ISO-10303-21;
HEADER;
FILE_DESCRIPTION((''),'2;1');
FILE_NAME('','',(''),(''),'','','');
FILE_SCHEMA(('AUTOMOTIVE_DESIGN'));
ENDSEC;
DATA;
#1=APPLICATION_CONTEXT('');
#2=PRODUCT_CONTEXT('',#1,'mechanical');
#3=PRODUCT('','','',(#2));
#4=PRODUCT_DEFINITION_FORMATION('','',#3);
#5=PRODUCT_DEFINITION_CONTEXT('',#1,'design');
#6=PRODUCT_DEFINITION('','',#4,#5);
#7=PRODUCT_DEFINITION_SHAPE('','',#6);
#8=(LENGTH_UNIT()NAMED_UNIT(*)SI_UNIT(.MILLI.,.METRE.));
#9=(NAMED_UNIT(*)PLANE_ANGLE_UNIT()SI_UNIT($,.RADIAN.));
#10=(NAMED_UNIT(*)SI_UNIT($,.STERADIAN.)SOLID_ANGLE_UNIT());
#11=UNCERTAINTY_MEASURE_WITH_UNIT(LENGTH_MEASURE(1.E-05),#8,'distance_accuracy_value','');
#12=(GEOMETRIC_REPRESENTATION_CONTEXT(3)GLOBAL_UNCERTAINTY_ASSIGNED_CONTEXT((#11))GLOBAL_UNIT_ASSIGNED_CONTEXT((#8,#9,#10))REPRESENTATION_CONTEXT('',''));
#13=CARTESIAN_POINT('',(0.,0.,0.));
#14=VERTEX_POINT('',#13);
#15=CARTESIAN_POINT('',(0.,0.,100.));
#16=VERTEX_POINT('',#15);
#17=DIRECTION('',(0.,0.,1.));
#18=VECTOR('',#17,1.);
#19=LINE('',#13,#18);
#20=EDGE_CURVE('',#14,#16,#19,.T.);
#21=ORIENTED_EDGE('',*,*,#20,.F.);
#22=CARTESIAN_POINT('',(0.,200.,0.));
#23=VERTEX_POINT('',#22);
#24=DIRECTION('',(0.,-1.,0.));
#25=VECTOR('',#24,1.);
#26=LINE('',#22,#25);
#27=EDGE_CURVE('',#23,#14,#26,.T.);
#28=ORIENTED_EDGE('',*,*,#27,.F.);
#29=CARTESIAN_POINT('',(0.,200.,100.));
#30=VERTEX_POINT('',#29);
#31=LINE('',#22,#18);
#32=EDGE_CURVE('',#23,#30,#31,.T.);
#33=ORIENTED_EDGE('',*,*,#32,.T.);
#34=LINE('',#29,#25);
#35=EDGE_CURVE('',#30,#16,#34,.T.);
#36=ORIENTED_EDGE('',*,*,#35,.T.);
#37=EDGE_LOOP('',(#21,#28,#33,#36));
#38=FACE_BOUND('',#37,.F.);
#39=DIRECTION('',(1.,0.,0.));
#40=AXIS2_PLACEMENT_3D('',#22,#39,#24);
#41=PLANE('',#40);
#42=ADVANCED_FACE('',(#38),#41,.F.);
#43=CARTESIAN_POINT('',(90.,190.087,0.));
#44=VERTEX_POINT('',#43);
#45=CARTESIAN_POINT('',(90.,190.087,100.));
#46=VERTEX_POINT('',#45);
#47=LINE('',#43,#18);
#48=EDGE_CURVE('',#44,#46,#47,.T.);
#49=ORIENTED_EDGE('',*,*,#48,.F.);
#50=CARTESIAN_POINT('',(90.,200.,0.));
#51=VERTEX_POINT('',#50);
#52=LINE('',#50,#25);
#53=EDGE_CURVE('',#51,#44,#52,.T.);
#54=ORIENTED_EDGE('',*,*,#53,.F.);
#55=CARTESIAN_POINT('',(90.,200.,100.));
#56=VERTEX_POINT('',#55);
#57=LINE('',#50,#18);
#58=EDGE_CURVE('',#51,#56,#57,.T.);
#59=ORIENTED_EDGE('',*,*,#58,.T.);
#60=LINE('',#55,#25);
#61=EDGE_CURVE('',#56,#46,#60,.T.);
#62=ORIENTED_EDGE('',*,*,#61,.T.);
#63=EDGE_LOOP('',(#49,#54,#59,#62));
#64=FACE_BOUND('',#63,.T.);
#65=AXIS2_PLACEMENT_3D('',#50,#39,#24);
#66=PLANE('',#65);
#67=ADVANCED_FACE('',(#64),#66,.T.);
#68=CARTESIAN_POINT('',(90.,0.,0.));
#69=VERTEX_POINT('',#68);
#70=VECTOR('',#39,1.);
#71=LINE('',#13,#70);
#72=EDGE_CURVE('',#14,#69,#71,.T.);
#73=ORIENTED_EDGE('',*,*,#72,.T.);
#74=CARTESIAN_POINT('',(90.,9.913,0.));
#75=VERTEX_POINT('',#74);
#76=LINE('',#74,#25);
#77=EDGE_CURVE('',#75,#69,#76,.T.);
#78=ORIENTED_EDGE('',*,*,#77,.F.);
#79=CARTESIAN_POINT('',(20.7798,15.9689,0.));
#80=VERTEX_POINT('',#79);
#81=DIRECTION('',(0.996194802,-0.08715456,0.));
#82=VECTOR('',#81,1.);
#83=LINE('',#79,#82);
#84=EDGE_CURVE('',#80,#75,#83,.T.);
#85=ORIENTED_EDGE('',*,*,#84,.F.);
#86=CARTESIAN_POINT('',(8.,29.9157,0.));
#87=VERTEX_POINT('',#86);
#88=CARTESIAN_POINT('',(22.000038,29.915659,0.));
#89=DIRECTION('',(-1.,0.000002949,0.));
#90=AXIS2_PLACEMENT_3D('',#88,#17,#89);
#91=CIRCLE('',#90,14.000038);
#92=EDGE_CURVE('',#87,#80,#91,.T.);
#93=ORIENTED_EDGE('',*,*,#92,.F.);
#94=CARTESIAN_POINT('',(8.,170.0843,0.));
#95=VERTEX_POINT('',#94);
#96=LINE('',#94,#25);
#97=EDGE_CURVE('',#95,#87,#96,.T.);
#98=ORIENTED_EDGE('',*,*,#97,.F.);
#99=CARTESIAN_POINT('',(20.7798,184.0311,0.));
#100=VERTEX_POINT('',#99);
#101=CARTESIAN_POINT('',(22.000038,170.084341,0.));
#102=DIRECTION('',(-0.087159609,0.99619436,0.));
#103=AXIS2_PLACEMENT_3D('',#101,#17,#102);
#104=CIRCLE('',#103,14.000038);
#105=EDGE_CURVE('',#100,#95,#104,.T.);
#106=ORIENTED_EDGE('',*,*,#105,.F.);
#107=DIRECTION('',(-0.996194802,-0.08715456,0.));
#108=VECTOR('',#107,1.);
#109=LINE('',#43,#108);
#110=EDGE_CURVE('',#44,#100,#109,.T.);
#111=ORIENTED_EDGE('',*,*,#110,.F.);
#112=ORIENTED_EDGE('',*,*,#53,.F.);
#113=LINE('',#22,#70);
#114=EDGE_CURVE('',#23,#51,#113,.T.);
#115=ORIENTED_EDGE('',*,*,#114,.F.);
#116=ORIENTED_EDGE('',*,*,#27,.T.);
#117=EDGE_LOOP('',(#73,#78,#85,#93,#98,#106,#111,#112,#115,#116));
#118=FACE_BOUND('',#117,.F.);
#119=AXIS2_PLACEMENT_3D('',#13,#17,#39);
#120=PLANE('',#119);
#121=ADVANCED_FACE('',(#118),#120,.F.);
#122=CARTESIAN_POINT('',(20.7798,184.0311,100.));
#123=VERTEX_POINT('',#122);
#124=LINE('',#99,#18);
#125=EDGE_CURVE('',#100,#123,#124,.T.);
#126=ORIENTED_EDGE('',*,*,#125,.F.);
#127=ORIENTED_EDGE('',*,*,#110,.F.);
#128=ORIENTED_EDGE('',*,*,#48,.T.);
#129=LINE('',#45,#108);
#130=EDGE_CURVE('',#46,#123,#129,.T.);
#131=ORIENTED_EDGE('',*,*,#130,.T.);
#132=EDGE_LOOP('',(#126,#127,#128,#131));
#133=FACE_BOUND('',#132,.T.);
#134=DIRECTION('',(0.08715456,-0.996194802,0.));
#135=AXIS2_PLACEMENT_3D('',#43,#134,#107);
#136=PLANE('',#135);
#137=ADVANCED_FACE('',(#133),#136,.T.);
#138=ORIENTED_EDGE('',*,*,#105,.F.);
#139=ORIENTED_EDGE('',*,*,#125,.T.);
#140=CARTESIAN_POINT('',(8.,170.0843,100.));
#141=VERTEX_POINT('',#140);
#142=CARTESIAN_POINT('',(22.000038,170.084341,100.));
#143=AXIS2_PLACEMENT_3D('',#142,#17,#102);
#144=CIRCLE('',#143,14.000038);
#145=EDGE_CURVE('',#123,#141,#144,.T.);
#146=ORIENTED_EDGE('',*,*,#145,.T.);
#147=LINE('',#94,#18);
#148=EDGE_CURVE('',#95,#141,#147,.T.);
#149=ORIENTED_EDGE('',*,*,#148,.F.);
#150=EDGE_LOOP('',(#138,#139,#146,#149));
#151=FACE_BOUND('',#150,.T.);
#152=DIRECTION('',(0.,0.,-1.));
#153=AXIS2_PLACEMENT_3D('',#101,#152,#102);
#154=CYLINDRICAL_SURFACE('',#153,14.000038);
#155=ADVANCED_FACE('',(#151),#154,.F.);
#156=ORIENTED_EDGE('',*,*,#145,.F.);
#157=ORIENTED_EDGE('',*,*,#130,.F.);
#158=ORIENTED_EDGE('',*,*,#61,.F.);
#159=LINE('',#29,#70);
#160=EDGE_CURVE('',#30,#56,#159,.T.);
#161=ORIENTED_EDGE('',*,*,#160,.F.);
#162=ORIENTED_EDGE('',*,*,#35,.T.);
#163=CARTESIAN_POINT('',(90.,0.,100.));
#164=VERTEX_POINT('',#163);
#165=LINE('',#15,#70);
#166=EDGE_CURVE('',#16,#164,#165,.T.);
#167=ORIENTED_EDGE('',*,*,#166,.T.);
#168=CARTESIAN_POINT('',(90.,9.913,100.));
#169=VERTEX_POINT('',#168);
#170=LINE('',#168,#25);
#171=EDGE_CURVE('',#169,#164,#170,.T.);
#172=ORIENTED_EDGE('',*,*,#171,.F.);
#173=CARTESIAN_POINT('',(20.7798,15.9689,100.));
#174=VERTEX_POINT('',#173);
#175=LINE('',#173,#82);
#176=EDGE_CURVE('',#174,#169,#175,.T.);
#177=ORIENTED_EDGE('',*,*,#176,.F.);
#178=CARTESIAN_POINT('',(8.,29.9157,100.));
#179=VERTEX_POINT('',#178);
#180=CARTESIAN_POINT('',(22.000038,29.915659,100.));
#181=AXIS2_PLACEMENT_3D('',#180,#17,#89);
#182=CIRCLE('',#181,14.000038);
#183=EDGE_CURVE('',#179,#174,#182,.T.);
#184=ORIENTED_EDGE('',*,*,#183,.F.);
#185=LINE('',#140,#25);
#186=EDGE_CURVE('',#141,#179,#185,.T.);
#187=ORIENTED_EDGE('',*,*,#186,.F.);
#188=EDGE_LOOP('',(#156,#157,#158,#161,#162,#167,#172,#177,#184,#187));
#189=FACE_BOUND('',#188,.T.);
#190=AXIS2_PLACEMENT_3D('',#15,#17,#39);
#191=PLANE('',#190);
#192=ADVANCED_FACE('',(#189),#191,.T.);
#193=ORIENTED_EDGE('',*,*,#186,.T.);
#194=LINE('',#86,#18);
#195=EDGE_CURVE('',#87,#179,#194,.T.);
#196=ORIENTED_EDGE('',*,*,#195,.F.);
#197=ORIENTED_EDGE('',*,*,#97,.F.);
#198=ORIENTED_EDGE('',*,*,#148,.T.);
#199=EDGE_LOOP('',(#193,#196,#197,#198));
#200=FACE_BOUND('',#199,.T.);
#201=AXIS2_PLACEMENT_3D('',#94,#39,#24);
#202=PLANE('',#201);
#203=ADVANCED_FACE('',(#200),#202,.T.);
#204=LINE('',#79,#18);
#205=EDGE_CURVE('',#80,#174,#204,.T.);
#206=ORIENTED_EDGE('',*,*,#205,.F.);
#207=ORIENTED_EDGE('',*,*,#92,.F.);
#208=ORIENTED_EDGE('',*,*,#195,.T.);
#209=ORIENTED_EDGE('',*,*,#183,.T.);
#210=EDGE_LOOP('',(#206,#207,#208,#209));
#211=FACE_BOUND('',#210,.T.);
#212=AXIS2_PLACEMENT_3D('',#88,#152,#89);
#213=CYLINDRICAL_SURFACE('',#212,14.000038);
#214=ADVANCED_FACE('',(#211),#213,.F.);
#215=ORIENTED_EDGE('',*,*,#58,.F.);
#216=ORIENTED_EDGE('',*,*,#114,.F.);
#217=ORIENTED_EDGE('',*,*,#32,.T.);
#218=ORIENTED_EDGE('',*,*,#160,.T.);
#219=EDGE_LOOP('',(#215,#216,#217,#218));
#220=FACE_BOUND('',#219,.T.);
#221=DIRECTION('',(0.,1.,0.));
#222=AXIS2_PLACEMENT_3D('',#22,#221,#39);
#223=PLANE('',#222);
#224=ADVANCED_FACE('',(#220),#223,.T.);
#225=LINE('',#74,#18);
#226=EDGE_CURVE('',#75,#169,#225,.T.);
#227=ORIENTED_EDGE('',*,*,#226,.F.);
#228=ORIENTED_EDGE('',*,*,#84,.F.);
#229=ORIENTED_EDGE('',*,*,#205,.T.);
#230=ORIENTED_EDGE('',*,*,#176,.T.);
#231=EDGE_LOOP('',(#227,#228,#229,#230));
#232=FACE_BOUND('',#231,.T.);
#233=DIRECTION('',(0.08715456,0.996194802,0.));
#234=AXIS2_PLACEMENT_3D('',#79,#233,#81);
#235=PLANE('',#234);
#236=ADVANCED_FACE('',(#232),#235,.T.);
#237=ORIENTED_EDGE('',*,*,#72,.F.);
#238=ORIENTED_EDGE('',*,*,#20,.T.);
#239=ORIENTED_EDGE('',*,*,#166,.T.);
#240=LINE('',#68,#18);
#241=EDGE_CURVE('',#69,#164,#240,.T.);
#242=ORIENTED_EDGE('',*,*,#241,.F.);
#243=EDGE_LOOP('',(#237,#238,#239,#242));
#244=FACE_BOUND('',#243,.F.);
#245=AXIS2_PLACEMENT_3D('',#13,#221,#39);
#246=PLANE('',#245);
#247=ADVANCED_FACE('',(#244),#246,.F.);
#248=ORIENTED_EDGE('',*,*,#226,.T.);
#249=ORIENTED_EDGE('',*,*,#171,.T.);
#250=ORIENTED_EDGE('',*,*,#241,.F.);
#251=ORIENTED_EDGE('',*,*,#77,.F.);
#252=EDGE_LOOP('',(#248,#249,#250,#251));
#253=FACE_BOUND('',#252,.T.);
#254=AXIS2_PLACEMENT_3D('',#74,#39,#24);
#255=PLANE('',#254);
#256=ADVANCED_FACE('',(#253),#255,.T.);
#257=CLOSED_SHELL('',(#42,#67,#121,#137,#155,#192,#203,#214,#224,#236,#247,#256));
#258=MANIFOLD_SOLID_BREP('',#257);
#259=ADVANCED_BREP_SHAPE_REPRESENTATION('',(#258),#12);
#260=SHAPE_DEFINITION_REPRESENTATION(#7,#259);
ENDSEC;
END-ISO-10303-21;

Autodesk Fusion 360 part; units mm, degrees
sketch "スケッチ1" plane through (0, 0, 0) normal (0, 0, 1) x (1, 0, 0)
  arc A0 (20.7798, 184.0311) -> (8, 170.0843) centre (22, 170.0843) ccw
  line L0 (90, 190.087) -> (20.7798, 184.0311)
  line L1 (0, 200) -> (0, 0)
  line L2 (8, 170.0843) -> (8, 29.9157)
  line L3 (0, 0) -> (90, 0)
  line L4 (20.7798, 15.9689) -> (90, 9.913)
  arc A1 (8, 29.9157) -> (20.7798, 15.9689) centre (22, 29.9157) ccw
  line L5 (90, 9.913) -> (90, 0)
  line L6 (0, 200) -> (90, 200)
  line L7 (90, 200) -> (90, 190.087)
extrude "押し出し1" add sketch "スケッチ1" along normal blind 100
